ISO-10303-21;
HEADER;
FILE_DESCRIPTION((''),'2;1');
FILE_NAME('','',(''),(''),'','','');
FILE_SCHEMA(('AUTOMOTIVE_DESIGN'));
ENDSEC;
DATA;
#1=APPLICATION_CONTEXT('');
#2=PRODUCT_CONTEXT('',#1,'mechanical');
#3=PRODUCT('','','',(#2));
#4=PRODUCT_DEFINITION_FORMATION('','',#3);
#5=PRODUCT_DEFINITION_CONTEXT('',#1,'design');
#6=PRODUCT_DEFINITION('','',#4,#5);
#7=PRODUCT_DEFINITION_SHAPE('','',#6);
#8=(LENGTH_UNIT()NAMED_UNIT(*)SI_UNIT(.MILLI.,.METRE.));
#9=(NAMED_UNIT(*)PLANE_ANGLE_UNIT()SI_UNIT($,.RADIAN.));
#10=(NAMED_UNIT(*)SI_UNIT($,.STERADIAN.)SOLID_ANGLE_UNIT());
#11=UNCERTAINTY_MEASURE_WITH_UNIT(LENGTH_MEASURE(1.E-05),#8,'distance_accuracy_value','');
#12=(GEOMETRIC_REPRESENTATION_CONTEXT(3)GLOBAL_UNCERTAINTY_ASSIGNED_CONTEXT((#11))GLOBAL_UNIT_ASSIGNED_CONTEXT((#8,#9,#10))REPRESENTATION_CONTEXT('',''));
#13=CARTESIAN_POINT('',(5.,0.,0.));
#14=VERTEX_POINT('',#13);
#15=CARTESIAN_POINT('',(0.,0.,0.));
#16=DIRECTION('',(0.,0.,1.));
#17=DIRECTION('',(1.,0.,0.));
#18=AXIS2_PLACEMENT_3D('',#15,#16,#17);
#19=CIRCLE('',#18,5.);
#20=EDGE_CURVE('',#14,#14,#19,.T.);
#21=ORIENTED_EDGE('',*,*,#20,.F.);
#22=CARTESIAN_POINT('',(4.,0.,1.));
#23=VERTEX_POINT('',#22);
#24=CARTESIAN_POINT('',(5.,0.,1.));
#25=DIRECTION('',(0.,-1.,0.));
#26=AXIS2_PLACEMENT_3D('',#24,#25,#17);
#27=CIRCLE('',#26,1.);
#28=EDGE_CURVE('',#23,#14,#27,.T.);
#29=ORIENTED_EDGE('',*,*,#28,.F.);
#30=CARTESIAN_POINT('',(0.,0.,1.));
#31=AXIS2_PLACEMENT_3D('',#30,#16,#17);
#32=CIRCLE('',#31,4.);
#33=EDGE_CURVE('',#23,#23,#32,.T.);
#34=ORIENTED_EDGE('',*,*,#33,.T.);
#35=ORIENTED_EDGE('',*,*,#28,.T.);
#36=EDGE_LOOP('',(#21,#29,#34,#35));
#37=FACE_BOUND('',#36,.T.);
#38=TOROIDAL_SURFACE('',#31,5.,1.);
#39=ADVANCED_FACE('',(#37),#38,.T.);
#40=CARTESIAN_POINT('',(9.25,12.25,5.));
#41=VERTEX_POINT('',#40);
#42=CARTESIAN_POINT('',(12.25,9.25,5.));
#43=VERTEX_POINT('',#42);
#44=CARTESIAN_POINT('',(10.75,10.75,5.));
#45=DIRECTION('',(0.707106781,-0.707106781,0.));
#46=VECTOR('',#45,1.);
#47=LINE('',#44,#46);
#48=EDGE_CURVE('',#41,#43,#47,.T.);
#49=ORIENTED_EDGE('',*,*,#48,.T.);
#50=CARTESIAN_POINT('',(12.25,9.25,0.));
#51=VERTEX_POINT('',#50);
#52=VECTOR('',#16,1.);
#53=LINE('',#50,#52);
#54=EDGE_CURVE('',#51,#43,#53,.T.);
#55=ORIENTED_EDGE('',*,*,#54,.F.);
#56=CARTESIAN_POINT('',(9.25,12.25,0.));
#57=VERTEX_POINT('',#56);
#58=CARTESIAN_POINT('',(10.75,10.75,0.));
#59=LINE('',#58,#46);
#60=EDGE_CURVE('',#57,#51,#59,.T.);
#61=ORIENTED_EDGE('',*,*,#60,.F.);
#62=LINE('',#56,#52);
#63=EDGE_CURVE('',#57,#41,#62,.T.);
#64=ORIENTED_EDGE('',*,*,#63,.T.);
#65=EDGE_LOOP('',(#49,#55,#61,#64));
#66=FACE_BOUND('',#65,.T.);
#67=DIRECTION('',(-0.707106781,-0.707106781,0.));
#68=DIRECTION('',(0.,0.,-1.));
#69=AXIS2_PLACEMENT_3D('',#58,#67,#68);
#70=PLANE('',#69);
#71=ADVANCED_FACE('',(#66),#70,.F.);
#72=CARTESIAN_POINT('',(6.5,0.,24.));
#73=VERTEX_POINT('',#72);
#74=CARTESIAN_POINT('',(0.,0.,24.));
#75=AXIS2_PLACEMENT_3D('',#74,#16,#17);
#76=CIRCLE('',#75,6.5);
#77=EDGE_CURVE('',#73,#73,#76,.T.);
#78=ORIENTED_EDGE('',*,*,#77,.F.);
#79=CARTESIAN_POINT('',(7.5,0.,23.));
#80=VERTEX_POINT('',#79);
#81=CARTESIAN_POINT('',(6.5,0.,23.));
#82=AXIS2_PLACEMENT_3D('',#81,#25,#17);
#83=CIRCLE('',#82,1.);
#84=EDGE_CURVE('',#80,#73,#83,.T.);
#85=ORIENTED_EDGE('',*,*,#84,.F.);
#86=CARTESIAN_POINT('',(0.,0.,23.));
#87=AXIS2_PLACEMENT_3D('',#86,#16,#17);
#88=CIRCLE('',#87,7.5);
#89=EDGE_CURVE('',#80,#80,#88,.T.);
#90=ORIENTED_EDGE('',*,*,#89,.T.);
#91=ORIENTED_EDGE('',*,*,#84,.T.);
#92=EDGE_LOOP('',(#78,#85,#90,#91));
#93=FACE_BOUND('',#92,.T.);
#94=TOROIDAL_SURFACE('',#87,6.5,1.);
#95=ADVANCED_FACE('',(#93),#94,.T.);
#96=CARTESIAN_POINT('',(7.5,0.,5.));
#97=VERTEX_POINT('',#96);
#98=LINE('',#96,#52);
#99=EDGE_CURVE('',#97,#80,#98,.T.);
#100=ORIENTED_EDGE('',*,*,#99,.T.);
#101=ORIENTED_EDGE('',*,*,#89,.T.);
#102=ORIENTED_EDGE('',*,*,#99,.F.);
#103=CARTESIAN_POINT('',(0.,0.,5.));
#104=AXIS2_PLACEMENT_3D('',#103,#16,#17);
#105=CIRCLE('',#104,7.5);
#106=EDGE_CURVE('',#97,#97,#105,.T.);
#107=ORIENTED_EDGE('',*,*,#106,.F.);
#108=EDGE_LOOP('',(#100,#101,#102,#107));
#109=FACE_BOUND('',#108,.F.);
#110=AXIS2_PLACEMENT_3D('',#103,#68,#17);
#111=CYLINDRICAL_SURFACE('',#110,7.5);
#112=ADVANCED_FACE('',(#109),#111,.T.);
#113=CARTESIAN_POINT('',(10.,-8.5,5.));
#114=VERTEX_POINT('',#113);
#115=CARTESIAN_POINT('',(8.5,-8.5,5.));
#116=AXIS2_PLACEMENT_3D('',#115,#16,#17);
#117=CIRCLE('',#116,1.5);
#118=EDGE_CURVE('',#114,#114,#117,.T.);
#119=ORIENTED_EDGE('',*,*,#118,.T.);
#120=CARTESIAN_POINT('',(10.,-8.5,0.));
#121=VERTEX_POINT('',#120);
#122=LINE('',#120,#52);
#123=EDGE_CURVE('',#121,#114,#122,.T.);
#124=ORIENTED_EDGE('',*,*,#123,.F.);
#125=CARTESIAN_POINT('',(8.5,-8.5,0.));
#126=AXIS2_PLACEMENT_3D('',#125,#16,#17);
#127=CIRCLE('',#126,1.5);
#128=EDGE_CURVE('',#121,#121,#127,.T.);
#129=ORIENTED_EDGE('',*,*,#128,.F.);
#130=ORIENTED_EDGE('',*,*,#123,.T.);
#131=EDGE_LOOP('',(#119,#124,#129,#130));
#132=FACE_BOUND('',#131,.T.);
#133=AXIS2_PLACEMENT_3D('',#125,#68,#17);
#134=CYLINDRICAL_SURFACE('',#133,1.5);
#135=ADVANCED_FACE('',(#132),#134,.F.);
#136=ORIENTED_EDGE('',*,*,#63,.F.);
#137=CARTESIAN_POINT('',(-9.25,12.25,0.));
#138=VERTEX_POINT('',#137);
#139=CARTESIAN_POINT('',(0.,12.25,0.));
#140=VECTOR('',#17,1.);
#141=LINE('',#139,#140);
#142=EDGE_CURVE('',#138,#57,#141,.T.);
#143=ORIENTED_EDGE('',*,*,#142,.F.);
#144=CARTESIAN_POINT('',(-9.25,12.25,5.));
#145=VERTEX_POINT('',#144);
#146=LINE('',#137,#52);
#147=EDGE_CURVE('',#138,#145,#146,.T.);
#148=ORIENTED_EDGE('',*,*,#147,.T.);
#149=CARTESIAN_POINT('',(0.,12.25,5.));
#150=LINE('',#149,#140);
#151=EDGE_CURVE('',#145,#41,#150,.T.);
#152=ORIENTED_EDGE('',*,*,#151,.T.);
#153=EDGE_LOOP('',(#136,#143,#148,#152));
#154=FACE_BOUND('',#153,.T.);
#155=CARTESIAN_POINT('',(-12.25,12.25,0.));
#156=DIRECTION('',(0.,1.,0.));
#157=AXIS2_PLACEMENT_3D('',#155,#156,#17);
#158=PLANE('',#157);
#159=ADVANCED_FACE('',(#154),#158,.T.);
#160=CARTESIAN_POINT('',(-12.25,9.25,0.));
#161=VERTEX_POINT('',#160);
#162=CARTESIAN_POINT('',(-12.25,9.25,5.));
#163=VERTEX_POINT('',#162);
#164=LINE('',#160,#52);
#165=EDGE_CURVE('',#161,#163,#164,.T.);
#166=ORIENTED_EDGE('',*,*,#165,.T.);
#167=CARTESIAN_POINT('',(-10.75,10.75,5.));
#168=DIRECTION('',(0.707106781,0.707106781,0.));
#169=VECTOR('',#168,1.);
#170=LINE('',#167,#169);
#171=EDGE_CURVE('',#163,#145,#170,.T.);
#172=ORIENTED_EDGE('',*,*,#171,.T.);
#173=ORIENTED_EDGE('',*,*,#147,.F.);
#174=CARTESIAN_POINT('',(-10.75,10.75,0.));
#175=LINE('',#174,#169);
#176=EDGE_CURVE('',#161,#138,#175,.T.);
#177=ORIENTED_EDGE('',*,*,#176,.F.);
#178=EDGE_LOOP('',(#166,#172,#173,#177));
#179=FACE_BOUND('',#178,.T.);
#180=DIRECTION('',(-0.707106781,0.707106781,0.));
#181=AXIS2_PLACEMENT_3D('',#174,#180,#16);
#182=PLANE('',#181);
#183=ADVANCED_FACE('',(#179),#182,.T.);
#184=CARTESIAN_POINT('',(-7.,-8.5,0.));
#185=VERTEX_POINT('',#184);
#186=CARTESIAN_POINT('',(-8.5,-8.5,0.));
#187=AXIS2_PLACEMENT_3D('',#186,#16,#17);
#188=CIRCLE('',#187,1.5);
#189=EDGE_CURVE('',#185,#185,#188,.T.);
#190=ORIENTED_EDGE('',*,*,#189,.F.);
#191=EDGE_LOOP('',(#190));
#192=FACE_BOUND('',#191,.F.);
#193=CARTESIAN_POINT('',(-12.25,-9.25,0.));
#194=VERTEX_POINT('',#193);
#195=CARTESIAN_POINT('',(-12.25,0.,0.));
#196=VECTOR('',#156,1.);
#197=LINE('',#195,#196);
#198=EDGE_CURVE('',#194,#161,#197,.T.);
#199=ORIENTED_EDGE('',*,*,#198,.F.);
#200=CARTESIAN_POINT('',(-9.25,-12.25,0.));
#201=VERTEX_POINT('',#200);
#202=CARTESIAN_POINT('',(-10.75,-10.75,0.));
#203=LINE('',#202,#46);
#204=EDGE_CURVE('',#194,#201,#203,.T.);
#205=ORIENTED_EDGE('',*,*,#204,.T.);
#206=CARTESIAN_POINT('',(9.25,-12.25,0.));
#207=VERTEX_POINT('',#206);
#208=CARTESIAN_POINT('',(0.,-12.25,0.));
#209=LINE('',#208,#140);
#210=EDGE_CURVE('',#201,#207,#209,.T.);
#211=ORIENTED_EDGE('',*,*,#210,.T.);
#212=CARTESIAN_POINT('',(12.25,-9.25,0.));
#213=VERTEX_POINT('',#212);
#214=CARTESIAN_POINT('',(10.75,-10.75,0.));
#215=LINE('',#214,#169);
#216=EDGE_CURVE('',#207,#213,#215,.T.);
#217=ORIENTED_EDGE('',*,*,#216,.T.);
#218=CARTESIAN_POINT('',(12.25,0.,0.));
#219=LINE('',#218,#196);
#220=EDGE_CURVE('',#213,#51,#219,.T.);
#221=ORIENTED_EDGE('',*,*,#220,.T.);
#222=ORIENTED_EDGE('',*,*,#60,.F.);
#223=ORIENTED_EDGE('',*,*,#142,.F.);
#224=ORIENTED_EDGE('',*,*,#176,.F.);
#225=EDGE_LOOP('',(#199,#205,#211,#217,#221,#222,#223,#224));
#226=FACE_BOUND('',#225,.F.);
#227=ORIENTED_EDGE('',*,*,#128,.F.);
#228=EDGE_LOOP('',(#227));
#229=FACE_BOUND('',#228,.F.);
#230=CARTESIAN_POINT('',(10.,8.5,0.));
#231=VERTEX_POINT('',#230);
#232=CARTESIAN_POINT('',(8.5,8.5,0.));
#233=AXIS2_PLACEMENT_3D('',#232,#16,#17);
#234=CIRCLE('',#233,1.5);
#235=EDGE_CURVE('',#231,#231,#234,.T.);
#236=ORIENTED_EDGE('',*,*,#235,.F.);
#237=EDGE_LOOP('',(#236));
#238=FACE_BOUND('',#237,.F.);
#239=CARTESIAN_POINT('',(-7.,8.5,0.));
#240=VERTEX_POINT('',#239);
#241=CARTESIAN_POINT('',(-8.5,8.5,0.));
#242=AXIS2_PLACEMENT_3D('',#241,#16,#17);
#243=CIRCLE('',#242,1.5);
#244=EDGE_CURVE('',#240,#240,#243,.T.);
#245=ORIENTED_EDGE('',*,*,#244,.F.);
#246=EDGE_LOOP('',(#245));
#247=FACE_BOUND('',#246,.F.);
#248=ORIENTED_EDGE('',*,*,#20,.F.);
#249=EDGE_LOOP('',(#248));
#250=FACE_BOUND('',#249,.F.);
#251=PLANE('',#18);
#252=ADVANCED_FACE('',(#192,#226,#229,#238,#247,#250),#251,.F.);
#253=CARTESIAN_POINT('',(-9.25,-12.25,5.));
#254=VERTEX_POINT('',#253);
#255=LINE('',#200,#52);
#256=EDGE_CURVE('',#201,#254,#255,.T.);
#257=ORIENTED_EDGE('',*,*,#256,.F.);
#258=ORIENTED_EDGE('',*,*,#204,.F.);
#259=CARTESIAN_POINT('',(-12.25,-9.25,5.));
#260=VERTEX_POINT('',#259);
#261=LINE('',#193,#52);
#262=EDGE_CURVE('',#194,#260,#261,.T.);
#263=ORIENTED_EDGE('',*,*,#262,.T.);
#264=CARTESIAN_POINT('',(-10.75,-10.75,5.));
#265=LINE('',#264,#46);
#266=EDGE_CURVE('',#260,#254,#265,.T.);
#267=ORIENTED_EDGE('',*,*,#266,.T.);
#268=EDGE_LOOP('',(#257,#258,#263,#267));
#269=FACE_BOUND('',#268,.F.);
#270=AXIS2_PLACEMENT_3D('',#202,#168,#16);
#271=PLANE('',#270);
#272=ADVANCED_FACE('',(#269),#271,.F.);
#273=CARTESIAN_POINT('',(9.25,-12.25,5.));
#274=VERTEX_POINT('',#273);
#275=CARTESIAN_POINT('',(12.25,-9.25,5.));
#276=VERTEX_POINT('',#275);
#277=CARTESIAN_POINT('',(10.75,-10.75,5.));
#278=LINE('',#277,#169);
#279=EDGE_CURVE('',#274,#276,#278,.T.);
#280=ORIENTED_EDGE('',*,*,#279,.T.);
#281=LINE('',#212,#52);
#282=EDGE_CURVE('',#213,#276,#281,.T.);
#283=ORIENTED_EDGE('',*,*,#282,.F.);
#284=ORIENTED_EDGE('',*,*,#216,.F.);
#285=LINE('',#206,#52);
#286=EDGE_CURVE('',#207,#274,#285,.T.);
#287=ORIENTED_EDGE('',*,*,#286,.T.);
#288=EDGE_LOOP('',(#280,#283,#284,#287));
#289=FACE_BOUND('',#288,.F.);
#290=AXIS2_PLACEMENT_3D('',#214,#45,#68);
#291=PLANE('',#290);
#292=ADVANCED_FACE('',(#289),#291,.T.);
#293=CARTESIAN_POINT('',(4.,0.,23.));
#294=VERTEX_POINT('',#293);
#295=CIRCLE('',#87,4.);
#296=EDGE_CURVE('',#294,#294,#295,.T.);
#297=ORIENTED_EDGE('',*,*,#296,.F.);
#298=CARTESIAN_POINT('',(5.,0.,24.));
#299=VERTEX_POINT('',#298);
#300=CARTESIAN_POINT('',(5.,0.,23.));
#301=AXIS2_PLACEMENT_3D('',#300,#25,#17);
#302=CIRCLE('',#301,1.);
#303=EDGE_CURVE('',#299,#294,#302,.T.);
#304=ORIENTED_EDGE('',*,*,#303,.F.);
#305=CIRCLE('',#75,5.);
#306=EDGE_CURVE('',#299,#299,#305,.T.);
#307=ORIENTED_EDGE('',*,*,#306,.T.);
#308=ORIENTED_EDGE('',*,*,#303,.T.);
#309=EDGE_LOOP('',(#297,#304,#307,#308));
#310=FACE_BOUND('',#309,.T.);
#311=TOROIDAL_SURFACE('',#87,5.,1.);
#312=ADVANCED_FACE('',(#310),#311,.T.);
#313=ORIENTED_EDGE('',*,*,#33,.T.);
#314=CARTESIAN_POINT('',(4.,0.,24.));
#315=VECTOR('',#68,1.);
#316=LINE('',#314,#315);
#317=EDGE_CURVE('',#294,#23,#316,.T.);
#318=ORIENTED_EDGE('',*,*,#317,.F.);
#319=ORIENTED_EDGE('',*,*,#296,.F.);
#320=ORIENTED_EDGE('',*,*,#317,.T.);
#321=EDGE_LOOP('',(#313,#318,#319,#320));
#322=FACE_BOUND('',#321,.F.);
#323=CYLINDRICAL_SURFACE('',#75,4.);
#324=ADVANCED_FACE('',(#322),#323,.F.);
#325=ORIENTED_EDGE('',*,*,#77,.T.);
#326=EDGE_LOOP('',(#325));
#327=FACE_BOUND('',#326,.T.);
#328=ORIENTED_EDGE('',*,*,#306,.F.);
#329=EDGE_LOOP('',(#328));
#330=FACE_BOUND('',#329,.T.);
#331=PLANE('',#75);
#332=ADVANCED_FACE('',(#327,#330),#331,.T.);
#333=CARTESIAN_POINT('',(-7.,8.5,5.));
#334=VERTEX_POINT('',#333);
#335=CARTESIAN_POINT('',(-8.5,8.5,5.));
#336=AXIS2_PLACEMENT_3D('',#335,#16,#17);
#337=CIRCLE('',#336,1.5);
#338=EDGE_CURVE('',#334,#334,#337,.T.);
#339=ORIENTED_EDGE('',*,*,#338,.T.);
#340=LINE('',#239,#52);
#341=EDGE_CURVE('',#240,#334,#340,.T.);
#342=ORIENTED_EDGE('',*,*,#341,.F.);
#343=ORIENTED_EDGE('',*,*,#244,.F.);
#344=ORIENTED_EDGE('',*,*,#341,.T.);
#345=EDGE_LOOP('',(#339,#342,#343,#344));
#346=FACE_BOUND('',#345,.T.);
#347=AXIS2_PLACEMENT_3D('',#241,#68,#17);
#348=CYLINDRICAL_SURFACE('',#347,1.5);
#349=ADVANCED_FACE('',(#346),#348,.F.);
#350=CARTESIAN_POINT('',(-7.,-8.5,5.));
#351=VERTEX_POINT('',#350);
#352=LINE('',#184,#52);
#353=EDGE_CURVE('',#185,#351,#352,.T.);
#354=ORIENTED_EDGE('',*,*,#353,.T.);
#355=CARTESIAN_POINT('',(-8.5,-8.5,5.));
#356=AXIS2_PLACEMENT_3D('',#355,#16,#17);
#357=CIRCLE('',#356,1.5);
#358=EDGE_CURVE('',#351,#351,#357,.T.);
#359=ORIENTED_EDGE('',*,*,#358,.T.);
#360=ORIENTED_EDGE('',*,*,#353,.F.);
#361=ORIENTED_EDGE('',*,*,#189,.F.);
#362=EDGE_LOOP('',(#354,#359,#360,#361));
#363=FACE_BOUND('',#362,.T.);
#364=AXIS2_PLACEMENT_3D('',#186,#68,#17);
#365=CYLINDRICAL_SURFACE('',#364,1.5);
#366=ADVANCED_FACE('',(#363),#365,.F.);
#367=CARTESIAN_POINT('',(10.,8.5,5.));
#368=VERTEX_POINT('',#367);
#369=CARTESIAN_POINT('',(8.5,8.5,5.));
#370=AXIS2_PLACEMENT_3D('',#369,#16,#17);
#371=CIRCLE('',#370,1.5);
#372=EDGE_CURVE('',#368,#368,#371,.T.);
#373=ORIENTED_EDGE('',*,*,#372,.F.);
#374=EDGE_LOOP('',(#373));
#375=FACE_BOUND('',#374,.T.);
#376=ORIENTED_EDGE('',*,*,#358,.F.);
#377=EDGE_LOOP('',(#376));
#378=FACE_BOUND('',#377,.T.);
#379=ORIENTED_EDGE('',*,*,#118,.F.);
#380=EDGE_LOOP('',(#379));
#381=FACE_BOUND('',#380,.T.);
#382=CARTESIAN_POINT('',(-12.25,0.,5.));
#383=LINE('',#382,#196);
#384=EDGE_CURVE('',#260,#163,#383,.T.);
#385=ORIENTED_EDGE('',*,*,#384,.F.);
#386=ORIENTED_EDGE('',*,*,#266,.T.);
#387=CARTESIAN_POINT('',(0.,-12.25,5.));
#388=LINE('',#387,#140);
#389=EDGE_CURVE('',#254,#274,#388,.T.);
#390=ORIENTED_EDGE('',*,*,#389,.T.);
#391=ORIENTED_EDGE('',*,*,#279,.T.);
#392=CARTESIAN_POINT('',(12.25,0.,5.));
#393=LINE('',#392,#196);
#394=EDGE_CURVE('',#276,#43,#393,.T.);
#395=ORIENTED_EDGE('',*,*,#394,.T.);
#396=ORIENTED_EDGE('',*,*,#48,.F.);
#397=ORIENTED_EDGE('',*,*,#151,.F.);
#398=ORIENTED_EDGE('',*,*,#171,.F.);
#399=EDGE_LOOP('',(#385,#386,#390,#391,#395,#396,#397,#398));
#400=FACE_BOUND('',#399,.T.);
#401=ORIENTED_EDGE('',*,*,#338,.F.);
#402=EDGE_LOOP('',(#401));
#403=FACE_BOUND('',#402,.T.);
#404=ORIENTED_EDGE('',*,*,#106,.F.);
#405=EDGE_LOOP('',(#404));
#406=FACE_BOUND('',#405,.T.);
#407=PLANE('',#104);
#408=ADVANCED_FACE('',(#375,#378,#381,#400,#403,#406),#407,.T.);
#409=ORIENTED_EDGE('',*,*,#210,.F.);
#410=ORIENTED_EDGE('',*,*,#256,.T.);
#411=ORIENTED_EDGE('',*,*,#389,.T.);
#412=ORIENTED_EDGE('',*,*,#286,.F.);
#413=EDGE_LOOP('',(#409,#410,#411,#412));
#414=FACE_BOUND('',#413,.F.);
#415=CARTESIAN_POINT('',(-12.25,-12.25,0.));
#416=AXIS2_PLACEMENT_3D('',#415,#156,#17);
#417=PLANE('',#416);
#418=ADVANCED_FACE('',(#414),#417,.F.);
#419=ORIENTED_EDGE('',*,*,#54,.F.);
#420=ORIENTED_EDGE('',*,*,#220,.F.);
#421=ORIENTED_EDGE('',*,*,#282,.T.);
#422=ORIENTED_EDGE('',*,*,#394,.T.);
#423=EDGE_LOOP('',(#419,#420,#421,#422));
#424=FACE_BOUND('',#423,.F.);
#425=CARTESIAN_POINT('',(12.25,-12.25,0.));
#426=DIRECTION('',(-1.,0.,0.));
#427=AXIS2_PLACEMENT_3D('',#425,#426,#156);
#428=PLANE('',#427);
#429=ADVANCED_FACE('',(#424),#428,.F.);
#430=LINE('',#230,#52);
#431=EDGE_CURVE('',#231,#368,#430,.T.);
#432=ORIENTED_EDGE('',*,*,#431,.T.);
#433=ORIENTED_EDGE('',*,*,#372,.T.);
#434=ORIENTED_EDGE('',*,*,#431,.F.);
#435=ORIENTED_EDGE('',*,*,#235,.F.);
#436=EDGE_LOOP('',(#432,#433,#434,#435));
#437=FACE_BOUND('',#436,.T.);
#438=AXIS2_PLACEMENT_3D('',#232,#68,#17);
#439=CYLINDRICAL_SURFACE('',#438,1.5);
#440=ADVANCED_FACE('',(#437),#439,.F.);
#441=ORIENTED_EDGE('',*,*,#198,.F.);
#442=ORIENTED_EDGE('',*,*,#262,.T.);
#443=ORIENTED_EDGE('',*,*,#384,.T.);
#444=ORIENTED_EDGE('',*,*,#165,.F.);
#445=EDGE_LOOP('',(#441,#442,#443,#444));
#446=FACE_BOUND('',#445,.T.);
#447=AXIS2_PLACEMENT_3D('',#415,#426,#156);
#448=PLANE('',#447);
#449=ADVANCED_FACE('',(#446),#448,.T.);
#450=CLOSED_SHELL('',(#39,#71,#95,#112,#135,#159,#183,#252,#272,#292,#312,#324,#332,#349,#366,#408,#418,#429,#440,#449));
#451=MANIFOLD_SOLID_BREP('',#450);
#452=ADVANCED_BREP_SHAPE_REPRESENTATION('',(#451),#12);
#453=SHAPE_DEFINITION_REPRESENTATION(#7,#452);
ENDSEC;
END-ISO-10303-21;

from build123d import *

# Parameters (mm, degrees)
SKETCH_W        = 24.5
SKETCH_H        = 24.5
SKETCH_R        = 1.5
PAD_DEPTH       = 5
SKETCH001_R     = 7.5
PAD001_DEPTH    = 19
SKETCH002_R     = 4
POCKET_DEPTH    = 24.001
CHAMFER_SIZE    = 3
CHAMFER001_SIZE = 3
FILLET_R        = 1
FILLET001_R     = 1
FILLET002_R     = 1


with BuildPart() as part:
    # Sketch → Pad (new body)
    with BuildSketch(Plane.XY):
        Rectangle(SKETCH_W, SKETCH_H)
        with Locations((-8.5, 8.5)):
            Circle(SKETCH_R, mode=Mode.SUBTRACT)
        with Locations((8.5, 8.5)):
            Circle(SKETCH_R, mode=Mode.SUBTRACT)
        with Locations((8.5, -8.5)):
            Circle(SKETCH_R, mode=Mode.SUBTRACT)
        with Locations((-8.5, -8.5)):
            Circle(SKETCH_R, mode=Mode.SUBTRACT)
    extrude(amount=PAD_DEPTH)

    # Sketch001 (on Face10 of Pad) → Pad001 (join)
    with BuildSketch(Plane.XY.offset(5)):
        Circle(SKETCH001_R)
    extrude(amount=PAD001_DEPTH)

    # Sketch002 (on Face12 of Pad001) → Pocket (cut, through all)
    with BuildSketch(Plane.XY.offset(24)):
        Circle(SKETCH002_R)
    extrude(amount=-POCKET_DEPTH, mode=Mode.SUBTRACT)

    # Chamfer
    chamfer_edges = [part.edges().sort_by_distance(p)[0] for p in [
        (12.25, -12.25, 2.5),
        (12.25, 12.25, 2.5),
        (-12.25, 12.25, 2.5),
    ]]
    chamfer(chamfer_edges, length=CHAMFER_SIZE)

    # Chamfer001
    chamfer001_edges = [part.edges().sort_by_distance(p)[0] for p in [
        (-12.25, -12.25, 2.5),
    ]]
    chamfer(chamfer001_edges, length=CHAMFER001_SIZE)

    # Fillet
    fillet_edges = [part.edges().sort_by_distance(p)[0] for p in [
        (-7.5, 0, 24),
    ]]
    fillet(fillet_edges, radius=FILLET_R)

    # Fillet001
    fillet001_edges = [part.edges().sort_by_distance(p)[0] for p in [
        (-4, 0, 24),
    ]]
    fillet(fillet001_edges, radius=FILLET001_R)

    # Fillet002
    fillet002_edges = [part.edges().sort_by_distance(p)[0] for p in [
        (-4, 0, 0),
    ]]
    fillet(fillet002_edges, radius=FILLET002_R)


solid = part.part
